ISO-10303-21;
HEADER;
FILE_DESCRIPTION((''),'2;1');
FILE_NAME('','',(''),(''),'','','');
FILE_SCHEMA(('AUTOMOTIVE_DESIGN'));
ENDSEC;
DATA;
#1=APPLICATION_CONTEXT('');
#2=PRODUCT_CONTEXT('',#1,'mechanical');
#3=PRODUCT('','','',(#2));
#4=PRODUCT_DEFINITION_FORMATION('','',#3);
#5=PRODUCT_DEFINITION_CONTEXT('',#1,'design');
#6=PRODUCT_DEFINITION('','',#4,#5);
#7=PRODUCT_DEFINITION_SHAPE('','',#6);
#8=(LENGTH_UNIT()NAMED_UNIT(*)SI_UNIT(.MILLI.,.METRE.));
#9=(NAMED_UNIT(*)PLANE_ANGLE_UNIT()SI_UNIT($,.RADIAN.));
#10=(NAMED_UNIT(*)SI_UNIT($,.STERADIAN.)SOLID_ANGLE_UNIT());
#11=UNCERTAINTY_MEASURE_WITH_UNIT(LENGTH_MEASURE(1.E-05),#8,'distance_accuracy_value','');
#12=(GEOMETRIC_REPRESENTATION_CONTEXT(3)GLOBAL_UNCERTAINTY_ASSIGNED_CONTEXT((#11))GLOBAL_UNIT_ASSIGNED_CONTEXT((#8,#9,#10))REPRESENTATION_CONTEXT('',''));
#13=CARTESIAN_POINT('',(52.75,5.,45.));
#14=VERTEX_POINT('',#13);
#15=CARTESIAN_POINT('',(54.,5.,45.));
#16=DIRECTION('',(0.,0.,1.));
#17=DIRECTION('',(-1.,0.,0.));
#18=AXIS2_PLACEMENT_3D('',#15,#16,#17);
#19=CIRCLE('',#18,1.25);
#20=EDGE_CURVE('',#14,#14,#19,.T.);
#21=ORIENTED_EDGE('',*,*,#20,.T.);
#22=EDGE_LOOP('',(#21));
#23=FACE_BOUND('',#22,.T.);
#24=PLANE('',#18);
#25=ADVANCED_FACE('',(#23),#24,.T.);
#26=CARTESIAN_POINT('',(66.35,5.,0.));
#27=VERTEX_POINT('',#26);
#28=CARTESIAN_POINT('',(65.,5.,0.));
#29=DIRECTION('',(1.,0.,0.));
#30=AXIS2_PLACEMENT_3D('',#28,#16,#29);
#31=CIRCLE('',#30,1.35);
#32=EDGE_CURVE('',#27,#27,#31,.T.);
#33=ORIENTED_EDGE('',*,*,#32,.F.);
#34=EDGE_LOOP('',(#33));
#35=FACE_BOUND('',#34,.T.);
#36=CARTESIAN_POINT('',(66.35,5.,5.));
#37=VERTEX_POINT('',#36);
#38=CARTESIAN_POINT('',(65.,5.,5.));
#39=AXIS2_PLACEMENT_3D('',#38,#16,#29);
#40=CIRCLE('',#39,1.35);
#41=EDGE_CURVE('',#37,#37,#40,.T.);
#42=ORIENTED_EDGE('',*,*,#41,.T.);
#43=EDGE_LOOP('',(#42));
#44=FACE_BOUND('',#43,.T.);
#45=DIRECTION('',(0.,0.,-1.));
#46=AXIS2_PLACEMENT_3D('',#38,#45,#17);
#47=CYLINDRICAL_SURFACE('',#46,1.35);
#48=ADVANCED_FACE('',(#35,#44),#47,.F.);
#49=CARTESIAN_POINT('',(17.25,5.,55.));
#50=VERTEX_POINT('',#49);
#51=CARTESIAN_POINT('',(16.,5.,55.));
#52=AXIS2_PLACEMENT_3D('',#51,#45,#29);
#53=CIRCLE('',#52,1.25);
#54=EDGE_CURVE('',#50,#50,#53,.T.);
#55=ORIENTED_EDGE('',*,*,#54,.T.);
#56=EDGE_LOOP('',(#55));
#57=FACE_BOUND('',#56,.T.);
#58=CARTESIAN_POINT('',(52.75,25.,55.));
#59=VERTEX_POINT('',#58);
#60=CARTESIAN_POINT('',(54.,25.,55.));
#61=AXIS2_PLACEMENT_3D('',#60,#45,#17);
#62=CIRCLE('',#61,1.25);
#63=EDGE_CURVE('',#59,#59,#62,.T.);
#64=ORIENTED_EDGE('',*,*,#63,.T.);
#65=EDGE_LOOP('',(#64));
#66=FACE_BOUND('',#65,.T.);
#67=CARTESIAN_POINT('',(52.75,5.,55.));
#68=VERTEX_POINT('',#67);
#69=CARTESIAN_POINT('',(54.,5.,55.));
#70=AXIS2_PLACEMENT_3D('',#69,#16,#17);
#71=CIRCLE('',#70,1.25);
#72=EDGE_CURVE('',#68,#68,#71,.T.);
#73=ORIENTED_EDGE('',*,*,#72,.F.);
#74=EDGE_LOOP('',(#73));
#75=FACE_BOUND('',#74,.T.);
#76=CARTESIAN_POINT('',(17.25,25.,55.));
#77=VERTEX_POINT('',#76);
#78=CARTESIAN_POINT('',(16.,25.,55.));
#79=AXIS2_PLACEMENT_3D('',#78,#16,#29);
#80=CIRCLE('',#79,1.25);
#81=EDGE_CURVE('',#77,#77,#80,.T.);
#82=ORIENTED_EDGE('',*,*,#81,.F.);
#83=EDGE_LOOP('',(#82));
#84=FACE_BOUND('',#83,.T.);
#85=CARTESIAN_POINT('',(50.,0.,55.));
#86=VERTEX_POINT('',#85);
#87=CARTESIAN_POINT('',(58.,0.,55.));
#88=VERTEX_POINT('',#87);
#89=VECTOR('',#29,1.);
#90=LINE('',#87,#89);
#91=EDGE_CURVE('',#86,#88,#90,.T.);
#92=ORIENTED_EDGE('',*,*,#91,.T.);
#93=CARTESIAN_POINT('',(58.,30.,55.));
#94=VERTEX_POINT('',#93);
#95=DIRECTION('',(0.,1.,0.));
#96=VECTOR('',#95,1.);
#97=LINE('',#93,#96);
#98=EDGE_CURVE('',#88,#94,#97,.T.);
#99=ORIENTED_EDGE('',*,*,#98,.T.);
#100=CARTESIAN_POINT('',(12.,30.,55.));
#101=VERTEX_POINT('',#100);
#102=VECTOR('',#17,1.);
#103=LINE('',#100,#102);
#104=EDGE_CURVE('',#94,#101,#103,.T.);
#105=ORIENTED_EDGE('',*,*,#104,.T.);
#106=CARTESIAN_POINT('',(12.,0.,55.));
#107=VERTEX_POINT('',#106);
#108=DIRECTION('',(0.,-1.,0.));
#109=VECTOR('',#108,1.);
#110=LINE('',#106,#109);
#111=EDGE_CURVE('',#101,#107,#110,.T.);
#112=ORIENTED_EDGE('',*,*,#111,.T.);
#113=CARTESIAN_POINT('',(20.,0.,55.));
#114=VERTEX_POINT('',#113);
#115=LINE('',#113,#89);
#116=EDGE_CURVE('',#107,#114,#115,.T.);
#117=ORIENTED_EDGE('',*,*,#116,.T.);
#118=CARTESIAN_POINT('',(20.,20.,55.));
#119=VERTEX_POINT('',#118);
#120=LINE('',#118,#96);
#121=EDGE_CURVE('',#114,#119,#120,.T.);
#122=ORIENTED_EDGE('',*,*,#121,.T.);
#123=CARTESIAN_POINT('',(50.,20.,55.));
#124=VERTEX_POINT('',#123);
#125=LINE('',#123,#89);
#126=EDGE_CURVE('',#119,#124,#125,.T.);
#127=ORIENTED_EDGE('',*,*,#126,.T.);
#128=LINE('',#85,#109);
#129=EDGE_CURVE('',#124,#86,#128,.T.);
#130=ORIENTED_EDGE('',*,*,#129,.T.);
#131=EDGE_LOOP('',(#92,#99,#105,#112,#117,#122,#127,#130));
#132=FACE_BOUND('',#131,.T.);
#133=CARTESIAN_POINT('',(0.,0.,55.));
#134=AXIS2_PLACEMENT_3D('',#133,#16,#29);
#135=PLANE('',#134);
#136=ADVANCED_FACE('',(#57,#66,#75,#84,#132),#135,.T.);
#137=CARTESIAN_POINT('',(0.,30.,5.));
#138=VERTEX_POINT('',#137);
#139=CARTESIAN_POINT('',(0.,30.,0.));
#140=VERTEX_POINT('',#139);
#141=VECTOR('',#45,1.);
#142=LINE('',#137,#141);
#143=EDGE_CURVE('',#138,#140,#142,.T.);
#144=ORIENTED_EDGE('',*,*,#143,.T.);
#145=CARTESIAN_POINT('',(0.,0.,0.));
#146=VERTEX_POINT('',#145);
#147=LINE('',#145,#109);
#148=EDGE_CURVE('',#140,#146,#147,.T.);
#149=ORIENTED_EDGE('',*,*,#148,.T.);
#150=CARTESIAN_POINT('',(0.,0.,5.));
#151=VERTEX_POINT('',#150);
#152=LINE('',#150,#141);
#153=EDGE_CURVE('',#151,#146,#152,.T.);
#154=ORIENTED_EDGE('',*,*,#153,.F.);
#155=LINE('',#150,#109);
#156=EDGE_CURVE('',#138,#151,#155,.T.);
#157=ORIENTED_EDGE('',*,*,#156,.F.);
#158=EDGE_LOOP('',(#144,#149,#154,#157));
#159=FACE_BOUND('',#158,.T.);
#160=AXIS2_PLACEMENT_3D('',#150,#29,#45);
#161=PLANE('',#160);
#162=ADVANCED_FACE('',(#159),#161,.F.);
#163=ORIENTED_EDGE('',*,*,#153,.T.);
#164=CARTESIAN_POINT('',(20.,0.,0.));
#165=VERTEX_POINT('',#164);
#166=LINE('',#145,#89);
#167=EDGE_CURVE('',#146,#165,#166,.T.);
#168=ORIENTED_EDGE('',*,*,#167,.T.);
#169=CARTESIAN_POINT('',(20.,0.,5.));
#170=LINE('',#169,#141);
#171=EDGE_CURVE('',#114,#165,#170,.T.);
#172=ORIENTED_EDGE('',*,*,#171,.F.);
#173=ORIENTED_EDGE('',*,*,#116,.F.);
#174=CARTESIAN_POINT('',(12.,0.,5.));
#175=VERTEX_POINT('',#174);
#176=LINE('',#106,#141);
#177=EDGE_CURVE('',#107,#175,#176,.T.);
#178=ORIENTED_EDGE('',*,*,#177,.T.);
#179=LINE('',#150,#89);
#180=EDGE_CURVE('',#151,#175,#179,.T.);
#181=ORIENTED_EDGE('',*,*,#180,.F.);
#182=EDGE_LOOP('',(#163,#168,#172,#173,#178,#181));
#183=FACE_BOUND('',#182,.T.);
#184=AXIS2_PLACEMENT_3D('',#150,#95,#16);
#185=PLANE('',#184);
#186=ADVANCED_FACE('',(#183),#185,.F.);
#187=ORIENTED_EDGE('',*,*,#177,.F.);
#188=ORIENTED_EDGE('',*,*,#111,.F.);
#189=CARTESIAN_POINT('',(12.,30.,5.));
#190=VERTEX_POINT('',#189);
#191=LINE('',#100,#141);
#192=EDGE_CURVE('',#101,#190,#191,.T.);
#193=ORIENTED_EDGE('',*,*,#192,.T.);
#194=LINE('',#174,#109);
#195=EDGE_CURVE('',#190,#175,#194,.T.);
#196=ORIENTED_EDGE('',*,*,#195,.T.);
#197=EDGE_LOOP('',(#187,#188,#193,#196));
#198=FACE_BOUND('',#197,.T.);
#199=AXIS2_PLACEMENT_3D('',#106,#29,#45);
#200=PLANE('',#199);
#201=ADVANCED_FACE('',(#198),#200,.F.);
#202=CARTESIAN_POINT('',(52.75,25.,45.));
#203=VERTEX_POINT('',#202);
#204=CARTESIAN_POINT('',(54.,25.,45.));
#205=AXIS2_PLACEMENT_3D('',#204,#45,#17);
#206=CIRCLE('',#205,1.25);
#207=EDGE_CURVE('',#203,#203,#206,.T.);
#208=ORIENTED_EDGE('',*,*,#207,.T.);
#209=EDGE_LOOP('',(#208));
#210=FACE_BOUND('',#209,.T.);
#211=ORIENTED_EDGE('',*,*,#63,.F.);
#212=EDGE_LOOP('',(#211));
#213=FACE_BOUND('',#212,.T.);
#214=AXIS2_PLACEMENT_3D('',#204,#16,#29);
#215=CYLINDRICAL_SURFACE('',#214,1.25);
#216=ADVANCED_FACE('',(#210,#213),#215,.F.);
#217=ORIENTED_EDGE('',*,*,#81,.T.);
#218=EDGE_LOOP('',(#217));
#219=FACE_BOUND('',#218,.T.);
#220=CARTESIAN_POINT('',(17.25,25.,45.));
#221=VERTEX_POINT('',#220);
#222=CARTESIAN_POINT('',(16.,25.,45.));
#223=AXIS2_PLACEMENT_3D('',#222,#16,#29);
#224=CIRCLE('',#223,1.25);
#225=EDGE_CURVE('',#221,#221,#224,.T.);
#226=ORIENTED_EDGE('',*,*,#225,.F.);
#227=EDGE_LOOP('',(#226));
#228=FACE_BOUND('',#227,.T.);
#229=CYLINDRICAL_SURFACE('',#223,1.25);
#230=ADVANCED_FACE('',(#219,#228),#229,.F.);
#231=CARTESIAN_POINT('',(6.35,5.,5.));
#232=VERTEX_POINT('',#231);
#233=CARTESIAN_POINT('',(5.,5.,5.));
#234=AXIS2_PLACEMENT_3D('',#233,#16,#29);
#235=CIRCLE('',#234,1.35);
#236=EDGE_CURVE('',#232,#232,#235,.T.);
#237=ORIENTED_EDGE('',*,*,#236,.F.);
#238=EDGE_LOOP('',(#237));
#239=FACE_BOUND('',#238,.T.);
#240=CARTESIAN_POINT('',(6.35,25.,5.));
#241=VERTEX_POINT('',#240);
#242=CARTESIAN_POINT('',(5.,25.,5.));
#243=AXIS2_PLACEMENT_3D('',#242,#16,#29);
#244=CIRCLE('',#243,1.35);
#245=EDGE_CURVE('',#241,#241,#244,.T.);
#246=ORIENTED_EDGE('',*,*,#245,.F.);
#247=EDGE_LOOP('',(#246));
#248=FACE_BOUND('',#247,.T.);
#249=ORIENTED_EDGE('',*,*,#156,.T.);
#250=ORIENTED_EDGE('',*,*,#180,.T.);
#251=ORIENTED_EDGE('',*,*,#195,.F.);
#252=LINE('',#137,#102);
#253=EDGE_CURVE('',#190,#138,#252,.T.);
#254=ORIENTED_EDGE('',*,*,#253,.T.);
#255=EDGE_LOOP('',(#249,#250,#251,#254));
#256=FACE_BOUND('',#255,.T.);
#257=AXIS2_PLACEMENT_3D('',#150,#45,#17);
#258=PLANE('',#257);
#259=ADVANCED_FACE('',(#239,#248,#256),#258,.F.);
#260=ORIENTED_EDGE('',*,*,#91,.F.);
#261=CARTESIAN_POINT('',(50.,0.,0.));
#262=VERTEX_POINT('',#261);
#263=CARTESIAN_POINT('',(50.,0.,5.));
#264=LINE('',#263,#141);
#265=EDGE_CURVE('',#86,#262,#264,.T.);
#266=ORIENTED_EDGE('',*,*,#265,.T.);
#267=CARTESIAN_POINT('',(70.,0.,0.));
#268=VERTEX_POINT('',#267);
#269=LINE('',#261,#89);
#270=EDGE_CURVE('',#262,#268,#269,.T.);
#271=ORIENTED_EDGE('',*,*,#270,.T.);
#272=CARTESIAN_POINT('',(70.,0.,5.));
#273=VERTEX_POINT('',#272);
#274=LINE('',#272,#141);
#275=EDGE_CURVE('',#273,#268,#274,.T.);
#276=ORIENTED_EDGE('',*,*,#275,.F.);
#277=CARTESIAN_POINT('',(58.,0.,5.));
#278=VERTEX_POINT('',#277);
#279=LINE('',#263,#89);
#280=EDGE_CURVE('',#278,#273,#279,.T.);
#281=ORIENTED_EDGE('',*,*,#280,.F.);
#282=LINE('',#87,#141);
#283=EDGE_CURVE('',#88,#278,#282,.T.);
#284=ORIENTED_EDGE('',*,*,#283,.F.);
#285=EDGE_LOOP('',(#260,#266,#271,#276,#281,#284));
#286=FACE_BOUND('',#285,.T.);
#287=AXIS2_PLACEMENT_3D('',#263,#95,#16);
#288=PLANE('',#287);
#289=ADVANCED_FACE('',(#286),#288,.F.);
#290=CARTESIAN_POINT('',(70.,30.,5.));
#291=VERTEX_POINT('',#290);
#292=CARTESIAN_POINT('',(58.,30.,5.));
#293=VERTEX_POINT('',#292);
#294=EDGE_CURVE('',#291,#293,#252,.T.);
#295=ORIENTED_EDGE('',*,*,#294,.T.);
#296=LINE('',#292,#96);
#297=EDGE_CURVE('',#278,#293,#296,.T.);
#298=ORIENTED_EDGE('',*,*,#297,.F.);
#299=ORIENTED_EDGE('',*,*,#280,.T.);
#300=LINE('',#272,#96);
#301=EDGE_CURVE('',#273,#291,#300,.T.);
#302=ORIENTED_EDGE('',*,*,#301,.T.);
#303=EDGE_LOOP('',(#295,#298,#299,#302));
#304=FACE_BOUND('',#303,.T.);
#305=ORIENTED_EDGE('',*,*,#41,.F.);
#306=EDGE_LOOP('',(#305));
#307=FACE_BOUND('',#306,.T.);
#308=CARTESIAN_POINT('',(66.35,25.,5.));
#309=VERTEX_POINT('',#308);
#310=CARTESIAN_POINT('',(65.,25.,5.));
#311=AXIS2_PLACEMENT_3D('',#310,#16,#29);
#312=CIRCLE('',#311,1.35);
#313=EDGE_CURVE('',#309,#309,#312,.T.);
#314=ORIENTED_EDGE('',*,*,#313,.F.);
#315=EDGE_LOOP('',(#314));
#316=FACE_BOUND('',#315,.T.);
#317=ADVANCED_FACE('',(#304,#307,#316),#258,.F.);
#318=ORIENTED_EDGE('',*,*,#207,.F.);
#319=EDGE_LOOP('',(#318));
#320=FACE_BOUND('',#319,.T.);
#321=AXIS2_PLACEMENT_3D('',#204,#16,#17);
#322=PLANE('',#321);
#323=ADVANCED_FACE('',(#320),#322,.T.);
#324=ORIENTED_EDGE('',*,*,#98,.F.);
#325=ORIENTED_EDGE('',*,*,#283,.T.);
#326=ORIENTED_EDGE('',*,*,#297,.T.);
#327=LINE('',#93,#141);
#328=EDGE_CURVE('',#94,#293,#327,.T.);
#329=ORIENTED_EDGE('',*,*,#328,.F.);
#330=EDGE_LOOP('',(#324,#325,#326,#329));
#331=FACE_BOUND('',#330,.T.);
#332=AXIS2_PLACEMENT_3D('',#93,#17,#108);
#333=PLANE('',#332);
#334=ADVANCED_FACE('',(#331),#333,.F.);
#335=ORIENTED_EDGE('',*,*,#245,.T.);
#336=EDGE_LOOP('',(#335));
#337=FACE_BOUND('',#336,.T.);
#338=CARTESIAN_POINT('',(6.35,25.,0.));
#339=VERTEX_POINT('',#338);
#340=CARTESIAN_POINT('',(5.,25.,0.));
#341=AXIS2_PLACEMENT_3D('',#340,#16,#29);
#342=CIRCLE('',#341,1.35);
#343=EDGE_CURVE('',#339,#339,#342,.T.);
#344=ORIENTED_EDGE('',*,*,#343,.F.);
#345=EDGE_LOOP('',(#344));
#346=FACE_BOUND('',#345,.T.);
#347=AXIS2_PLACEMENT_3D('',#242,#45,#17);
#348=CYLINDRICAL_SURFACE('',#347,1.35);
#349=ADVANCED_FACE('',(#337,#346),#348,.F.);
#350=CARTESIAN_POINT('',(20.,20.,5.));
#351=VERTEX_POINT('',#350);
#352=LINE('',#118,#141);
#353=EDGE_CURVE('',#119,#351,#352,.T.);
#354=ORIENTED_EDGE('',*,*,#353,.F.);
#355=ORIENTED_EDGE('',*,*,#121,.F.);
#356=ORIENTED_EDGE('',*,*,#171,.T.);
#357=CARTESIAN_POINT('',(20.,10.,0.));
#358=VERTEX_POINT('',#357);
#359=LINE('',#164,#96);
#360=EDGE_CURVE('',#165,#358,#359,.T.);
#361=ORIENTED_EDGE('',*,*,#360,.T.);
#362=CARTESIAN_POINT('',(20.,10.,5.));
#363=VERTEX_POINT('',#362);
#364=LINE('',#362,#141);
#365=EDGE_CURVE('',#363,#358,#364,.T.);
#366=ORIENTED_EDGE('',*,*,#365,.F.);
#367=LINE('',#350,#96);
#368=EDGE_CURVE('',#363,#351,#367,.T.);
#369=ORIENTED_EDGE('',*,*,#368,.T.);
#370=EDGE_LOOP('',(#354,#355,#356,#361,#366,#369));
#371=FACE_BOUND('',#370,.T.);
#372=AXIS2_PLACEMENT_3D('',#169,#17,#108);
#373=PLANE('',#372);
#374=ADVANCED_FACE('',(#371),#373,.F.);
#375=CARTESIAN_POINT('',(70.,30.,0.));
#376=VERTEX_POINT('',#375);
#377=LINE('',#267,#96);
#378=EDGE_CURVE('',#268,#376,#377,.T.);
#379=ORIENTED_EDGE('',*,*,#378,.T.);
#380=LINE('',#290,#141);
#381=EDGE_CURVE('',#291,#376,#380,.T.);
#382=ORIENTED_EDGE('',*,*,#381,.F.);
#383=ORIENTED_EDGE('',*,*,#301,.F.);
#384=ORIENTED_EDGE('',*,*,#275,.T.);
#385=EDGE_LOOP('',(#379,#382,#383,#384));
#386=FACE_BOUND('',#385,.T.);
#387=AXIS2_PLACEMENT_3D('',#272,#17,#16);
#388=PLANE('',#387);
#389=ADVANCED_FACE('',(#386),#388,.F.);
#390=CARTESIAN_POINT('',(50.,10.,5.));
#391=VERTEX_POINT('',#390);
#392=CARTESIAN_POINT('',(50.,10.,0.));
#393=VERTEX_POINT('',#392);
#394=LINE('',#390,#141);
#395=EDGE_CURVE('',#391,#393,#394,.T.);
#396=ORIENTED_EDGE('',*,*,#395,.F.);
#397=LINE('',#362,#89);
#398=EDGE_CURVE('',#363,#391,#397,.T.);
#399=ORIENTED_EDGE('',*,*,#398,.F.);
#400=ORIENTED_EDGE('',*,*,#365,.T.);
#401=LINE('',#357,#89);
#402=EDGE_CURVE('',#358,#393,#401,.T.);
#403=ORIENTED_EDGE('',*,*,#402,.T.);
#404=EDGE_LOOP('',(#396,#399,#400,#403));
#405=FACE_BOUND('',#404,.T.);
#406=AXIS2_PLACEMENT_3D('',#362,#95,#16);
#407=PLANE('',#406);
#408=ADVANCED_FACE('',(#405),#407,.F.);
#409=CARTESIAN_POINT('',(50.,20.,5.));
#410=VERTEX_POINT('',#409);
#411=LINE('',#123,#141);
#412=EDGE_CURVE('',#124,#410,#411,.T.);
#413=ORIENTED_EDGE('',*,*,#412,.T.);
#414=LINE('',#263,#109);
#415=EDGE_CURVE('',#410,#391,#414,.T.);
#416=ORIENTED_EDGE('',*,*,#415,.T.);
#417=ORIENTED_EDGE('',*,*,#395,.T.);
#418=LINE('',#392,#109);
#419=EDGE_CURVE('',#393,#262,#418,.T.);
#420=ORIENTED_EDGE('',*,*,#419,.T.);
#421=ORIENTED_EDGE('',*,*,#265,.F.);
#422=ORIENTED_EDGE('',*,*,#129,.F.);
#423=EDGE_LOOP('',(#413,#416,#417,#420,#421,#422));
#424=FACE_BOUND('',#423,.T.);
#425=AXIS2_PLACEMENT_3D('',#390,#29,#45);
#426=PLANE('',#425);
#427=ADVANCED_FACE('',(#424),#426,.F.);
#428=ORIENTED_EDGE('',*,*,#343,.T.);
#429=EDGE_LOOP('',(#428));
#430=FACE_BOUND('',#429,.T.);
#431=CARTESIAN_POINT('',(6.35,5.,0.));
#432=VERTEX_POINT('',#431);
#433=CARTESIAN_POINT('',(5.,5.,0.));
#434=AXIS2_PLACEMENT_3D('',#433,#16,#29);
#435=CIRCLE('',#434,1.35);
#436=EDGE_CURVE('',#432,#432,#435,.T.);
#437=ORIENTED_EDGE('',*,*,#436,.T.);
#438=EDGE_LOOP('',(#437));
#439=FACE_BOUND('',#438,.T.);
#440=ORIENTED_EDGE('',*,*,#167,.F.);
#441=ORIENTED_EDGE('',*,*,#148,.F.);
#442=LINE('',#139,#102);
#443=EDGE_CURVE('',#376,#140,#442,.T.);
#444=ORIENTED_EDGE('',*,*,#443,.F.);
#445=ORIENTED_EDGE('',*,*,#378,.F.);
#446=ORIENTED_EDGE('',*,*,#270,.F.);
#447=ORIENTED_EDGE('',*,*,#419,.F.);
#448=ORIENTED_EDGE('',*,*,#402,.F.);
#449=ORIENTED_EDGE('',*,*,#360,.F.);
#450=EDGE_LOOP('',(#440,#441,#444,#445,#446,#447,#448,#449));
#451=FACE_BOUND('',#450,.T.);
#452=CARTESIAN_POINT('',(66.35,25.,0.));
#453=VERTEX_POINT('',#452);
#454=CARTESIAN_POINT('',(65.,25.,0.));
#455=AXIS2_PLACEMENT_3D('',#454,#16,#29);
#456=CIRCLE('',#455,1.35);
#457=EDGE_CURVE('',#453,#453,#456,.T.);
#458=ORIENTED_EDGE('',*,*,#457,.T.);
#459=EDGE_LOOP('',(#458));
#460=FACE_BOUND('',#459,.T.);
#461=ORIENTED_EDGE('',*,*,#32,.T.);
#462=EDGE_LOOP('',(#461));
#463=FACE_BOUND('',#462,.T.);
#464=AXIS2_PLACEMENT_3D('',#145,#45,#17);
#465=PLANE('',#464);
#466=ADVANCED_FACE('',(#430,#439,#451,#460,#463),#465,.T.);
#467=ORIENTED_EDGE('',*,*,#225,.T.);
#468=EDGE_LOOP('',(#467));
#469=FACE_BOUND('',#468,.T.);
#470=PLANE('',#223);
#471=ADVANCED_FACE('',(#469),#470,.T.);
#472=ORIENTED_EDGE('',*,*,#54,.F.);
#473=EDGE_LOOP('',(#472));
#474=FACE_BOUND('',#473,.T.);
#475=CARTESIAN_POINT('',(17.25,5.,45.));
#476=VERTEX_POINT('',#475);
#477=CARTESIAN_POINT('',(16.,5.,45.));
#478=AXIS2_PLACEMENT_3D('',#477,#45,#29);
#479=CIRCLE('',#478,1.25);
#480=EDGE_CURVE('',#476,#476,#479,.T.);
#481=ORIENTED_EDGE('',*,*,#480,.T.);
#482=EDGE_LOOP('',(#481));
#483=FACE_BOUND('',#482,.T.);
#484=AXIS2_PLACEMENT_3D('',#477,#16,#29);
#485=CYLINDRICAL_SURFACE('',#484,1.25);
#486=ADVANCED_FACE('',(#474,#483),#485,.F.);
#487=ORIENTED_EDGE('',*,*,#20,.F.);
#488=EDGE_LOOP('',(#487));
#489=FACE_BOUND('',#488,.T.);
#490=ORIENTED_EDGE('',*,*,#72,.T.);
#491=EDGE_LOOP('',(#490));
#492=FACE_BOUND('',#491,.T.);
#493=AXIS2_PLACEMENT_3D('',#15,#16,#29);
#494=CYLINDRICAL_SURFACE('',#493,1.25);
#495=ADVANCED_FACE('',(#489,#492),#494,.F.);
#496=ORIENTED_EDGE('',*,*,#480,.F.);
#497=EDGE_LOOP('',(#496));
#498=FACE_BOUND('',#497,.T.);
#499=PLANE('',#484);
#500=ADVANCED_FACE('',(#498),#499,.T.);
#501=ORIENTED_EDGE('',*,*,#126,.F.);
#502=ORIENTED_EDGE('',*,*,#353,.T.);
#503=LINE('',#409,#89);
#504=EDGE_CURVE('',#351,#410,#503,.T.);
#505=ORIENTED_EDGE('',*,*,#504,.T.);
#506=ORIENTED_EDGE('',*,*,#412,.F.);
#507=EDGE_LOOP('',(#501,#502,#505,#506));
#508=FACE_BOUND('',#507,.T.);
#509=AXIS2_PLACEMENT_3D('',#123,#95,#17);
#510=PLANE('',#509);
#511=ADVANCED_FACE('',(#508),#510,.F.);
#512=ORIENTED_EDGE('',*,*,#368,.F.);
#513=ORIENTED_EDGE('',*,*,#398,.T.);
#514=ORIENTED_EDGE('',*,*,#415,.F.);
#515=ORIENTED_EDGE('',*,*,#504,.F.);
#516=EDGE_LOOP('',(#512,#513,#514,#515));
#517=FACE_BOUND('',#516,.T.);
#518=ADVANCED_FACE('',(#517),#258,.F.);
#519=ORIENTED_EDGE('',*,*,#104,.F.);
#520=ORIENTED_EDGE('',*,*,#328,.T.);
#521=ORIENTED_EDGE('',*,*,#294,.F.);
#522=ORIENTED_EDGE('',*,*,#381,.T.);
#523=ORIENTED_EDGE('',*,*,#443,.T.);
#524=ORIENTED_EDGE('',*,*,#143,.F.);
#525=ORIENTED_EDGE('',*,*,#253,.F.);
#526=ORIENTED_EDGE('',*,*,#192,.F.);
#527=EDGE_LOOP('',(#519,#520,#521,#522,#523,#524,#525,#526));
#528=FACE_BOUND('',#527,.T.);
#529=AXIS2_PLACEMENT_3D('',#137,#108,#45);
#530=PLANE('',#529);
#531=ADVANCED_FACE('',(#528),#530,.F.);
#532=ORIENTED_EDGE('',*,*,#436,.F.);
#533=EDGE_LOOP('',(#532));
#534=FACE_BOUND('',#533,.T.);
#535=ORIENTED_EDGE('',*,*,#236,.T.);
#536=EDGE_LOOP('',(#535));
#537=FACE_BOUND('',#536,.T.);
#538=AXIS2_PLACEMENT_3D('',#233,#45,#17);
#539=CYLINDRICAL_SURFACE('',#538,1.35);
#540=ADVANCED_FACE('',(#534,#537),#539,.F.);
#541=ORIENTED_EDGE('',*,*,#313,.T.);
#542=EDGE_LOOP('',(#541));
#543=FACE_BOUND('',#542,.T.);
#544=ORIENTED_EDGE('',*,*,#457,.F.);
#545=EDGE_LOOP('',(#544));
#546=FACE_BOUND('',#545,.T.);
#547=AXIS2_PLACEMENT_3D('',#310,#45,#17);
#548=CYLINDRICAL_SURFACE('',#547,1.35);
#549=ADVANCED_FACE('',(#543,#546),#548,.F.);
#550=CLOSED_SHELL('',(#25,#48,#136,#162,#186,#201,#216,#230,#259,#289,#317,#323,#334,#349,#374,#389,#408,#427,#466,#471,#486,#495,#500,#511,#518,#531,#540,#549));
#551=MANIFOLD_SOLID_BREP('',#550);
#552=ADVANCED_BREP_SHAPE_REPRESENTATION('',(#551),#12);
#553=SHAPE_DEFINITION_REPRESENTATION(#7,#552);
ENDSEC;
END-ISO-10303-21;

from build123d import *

# Parameters (mm, degrees)
SKETCH_1_R               = 1.35
EXTRUDE_1_DEPTH          = 5
EXTRUDE_2_DEPTH          = 50
SKETCH_3_R               = 1.25
CUT_EXTRUDE_1_DEPTH      = 10
MIRROR_2_COPY_1_SKETCH_R = 1.25
MIRROR_2_COPY_1_DEPTH    = 10
MIRROR_2_COPY_2_SKETCH_R = 1.25
MIRROR_2_COPY_2_DEPTH    = 10


with BuildPart() as part:
    # 草圖1 → 填料-伸長1 (new body)
    with BuildSketch(Plane.XY):
        Polygon((20, 0), (20, 10), (50, 10), (50, 0), (70, 0), (70, 30), (0, 30), (0, 0), align=None)
        with Locations((5, 25)):
            Circle(SKETCH_1_R, mode=Mode.SUBTRACT)
        with Locations((5, 5)):
            Circle(SKETCH_1_R, mode=Mode.SUBTRACT)
        with Locations((65, 25)):
            Circle(SKETCH_1_R, mode=Mode.SUBTRACT)
        with Locations((65, 5)):
            Circle(SKETCH_1_R, mode=Mode.SUBTRACT)
    extrude(amount=EXTRUDE_1_DEPTH)

    # 草圖2 → 填料-伸長2 (add)
    with BuildSketch(Plane.XY.offset(5)):
        Polygon((20, 20), (20, 0), (12, 0), (12, 30), (58, 30), (58, 0), (50, 0), (50, 20), align=None)
    extrude(amount=EXTRUDE_2_DEPTH)

    # 草圖3 → 除料-伸長1 (cut)
    with BuildSketch(Plane.XY.offset(55)):
        with Locations((16, 25)):
            Circle(SKETCH_3_R)
    cut_extrude_1 = extrude(amount=-CUT_EXTRUDE_1_DEPTH, mode=Mode.SUBTRACT)

    # 鏡射1: 除料-伸長1 across plane
    add(cut_extrude_1.mirror(Plane(origin=(35, 0, 0), x_dir=(0, 0, 1), z_dir=(1, 0, 0))), mode=Mode.SUBTRACT)

    # 鏡射2 copy 1 sketch → 鏡射2 copy 1 (cut)
    with BuildSketch(Plane(origin=(70, 30, 55), x_dir=(-1, 0, 0), z_dir=(0, 0, 1))):
        with Locations((16, 25)):
            Circle(MIRROR_2_COPY_1_SKETCH_R)
    extrude(amount=-MIRROR_2_COPY_1_DEPTH, mode=Mode.SUBTRACT)

    # 鏡射2 copy 2 sketch → 鏡射2 copy 2 (cut)
    with BuildSketch(Plane(origin=(0, 30, 55), x_dir=(1, 0, 0), z_dir=(0, 0, 1))):
        with Locations((16, -25)):
            Circle(MIRROR_2_COPY_2_SKETCH_R)
    extrude(amount=-MIRROR_2_COPY_2_DEPTH, mode=Mode.SUBTRACT)


solid = part.part
